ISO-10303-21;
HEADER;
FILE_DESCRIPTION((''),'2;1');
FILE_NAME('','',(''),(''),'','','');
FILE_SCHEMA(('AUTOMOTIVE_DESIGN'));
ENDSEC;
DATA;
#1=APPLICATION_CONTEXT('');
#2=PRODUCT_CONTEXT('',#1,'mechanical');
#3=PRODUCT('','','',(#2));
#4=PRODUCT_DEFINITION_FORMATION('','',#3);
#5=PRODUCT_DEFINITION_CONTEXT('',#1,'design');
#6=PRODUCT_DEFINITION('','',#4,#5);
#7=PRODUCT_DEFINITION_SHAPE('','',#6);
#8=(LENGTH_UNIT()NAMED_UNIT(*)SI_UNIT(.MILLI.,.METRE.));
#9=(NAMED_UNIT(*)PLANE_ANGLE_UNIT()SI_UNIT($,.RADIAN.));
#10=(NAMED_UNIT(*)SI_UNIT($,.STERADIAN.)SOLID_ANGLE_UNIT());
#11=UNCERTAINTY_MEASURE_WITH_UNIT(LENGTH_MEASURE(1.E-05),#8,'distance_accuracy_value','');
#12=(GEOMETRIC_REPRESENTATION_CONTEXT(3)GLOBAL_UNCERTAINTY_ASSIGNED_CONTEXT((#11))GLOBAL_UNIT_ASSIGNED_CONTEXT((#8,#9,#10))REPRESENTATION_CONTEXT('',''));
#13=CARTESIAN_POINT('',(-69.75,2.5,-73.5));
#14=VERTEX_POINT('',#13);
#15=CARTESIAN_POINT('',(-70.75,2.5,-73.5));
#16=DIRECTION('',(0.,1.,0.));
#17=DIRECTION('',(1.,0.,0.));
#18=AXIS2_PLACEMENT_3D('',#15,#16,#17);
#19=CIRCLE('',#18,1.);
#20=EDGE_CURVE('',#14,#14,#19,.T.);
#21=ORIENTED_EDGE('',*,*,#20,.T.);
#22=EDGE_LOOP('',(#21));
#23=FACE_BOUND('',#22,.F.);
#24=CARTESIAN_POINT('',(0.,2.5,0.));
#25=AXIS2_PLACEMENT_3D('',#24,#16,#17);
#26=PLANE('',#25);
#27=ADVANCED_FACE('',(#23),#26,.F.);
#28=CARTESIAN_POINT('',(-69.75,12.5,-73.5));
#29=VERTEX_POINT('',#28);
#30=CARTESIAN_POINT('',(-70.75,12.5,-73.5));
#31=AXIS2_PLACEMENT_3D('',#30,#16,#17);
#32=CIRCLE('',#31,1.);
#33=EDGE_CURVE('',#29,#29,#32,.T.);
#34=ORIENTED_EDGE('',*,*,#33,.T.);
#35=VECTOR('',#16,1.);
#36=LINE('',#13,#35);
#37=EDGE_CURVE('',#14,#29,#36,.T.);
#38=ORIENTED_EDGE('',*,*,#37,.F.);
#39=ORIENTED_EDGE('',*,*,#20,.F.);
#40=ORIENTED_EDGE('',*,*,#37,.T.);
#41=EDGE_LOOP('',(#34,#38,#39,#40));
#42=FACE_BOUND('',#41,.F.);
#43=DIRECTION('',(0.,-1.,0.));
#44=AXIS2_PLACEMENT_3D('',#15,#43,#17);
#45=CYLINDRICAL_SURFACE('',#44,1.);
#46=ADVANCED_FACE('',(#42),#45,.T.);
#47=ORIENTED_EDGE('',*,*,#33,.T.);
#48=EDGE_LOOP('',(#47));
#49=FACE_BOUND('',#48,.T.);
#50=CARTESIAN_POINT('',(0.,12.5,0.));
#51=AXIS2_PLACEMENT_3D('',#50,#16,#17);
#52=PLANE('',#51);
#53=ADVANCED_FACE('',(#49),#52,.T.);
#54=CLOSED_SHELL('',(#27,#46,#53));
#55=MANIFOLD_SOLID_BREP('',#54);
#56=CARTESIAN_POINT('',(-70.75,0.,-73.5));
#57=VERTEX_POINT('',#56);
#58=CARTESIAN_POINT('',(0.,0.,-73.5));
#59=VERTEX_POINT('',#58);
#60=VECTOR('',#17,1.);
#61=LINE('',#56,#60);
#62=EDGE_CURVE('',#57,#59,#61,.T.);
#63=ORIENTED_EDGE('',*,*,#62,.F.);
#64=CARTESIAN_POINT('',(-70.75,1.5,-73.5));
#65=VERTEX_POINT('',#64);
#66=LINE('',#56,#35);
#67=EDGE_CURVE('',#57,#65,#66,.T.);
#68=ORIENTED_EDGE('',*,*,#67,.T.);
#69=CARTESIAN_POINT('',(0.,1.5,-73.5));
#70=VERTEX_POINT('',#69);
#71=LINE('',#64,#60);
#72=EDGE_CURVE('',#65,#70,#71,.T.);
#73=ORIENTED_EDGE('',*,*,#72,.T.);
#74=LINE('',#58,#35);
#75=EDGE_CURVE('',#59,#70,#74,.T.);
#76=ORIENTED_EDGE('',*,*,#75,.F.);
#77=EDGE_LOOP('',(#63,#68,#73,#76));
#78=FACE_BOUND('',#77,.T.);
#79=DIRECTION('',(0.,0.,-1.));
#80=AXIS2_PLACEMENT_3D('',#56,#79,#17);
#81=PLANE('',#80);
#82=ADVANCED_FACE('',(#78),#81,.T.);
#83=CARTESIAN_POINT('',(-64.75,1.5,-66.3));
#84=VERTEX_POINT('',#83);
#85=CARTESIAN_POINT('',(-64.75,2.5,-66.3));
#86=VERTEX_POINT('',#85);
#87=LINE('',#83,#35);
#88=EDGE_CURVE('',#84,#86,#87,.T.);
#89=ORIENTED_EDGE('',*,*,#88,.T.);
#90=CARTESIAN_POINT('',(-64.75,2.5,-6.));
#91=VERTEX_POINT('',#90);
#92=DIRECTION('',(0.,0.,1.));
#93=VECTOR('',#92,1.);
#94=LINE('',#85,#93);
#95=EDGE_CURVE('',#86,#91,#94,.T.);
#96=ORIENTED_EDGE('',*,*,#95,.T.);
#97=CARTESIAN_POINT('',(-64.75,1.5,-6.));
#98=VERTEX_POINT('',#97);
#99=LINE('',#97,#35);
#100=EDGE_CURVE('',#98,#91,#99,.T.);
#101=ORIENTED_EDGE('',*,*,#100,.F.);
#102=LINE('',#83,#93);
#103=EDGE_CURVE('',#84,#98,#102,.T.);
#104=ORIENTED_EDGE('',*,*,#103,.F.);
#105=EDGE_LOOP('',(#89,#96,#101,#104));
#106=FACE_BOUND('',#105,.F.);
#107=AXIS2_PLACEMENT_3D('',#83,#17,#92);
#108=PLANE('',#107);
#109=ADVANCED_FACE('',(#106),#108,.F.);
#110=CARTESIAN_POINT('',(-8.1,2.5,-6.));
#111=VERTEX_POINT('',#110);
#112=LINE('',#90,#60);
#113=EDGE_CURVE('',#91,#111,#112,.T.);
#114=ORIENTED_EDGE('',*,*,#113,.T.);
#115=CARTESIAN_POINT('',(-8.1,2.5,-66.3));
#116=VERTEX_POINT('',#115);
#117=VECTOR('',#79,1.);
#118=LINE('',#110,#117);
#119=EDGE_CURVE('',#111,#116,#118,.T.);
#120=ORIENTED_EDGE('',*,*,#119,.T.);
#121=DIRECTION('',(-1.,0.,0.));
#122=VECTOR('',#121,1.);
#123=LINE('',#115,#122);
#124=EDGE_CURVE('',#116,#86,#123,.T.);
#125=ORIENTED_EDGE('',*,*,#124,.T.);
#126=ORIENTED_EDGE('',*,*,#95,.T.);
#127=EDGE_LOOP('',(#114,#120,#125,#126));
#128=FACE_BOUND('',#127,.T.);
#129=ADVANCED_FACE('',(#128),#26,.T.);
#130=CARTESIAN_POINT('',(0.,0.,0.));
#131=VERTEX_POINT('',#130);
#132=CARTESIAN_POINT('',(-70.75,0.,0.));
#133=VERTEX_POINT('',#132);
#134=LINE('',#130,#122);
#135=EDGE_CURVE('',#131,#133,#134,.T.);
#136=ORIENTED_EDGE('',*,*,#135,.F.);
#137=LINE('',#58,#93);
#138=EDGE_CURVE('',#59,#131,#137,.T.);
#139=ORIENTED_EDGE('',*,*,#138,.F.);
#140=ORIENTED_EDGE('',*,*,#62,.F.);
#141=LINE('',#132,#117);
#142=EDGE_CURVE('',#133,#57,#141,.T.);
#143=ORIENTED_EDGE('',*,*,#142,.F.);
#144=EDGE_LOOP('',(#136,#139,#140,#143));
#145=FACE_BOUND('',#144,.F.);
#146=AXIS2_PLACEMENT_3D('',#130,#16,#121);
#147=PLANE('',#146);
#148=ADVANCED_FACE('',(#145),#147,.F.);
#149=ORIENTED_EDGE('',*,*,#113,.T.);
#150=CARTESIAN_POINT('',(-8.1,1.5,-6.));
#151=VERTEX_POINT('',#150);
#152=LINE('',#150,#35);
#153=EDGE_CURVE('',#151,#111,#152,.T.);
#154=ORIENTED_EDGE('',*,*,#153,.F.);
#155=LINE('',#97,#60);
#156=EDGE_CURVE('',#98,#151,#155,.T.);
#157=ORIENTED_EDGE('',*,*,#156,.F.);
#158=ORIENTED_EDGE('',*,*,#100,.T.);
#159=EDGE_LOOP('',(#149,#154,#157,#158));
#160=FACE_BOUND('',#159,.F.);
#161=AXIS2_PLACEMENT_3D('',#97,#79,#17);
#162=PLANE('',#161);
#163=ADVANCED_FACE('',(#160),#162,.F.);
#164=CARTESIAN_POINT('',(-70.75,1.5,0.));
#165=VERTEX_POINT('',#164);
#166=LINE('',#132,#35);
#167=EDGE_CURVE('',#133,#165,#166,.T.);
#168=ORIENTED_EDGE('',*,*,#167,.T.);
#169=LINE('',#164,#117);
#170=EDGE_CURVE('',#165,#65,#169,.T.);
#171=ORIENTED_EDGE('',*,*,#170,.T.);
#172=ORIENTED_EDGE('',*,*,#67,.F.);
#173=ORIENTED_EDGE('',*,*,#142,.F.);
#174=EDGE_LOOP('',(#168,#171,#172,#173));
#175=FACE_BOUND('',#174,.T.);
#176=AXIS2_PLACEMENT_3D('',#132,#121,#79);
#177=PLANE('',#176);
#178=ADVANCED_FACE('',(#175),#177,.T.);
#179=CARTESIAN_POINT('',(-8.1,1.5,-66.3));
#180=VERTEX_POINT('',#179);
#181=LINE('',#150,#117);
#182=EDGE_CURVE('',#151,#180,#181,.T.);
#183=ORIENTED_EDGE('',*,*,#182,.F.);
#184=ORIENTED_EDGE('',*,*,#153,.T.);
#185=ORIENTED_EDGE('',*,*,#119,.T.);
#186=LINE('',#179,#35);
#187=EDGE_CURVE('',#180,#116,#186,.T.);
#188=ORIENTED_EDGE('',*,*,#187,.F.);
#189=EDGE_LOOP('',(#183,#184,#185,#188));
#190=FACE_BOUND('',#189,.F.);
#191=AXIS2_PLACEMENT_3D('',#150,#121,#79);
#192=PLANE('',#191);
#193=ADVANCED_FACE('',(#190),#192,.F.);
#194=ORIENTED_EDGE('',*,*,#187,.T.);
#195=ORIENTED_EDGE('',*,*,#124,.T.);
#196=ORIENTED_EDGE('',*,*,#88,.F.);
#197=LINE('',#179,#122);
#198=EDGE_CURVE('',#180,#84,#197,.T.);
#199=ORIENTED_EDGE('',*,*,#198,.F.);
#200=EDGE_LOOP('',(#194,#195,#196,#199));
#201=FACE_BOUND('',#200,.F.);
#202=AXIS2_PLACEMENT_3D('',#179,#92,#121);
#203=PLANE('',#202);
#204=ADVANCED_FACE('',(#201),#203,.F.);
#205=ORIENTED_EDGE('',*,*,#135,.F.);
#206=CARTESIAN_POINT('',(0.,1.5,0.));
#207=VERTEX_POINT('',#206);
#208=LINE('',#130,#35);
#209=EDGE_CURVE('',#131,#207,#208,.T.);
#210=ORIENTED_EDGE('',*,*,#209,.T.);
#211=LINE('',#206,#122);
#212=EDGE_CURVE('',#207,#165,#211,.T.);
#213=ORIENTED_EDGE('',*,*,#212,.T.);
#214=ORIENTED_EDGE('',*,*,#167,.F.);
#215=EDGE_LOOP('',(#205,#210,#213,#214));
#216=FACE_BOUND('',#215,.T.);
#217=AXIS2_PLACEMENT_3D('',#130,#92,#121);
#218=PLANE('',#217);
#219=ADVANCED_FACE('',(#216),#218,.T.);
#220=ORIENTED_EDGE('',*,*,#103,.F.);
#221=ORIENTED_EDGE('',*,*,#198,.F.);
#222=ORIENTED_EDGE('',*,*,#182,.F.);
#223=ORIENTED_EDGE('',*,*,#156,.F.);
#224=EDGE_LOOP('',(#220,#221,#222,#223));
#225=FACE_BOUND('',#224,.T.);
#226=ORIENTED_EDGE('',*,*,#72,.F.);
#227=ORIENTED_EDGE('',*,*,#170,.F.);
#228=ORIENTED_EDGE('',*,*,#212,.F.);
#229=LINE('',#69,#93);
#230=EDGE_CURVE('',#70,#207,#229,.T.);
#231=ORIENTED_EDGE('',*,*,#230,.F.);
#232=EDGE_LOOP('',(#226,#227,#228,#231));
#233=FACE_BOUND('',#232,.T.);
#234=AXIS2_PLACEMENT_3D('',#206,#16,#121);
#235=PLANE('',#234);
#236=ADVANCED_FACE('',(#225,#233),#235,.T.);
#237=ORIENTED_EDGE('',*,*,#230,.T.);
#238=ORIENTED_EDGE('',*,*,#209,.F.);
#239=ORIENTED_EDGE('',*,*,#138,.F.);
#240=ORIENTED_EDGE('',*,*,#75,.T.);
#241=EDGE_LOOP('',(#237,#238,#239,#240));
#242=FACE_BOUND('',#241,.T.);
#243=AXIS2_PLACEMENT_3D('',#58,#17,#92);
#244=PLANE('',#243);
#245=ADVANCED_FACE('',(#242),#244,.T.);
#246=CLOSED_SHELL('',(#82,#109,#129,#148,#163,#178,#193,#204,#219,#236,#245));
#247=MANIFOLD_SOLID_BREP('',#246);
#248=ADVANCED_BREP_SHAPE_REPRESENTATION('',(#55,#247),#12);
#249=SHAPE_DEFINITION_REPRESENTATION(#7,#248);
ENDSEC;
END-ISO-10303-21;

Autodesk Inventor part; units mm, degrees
ref_plane "YZ Plane" through (0, 0, 0) normal (1, 0, 0) x (0, 1, 0)
ref_plane "XZ Plane" through (0, 0, 0) normal (0, 1, 0) x (-1, 0, 0)
ref_plane "XY Plane" through (0, 0, 0) normal (0, 0, 1) x (1, 0, 0)
sketch "Sketch1" plane through (0, 0, 0) normal (0, 1, 0) x (-1, 0, 0)
  line L0 (0, 0) -> (70.75, 0)
  line L1 (70.75, 0) -> (70.75, -73.5)
  line L2 (70.75, -73.5) -> (0, -73.5)
  line L3 (0, -73.5) -> (0, 0)
  dimension "d0" = 73.5
  dimension "d1" = 70.75
extrude "Extrusion1" add sketch "Sketch1" along normal blind 1.5
sketch "Sketch2" plane through (0, 1.5, 0) normal (0, 1, 0) x (1, 0, 0)
  line L0 (-64.75, 6) -> (-8.1, 6)
  line L1 (-8.1, 6) -> (-8.1, 66.3)
  line L2 (-8.1, 66.3) -> (-64.75, 66.3)
  line L3 (-64.75, 66.3) -> (-64.75, 6)
  line L4 (0, 0) -> (0, 73.5) projected
  line L5 (0, 73.5) -> (-70.75, 73.5) projected
  line L6 (-70.75, 0) -> (0, 0) projected
  line L7 (-70.75, 73.5) -> (-70.75, 0) projected
  dimension "d4" = 8.1
  dimension "d5" = 7.2
  dimension "d6" = 6
  dimension "d7" = 6
extrude "Extrusion2" add sketch "Sketch2" along normal blind 1 contours L3 L2 L1 L0
sketch "Sketch3" plane through (0, 2.5, 0) normal (0, 1, 0) x (1, 0, 0)
  line L0 (0, 73.5) -> (-70.75, 73.5) projected
  circle A0 centre (-70.75, 73.5) radius 1
  point P0 (0, 0)
  dimension "d10" = 2
extrude "Extrusion3" add sketch "Sketch3" along normal blind 10
properties part number "PCBBoard"
